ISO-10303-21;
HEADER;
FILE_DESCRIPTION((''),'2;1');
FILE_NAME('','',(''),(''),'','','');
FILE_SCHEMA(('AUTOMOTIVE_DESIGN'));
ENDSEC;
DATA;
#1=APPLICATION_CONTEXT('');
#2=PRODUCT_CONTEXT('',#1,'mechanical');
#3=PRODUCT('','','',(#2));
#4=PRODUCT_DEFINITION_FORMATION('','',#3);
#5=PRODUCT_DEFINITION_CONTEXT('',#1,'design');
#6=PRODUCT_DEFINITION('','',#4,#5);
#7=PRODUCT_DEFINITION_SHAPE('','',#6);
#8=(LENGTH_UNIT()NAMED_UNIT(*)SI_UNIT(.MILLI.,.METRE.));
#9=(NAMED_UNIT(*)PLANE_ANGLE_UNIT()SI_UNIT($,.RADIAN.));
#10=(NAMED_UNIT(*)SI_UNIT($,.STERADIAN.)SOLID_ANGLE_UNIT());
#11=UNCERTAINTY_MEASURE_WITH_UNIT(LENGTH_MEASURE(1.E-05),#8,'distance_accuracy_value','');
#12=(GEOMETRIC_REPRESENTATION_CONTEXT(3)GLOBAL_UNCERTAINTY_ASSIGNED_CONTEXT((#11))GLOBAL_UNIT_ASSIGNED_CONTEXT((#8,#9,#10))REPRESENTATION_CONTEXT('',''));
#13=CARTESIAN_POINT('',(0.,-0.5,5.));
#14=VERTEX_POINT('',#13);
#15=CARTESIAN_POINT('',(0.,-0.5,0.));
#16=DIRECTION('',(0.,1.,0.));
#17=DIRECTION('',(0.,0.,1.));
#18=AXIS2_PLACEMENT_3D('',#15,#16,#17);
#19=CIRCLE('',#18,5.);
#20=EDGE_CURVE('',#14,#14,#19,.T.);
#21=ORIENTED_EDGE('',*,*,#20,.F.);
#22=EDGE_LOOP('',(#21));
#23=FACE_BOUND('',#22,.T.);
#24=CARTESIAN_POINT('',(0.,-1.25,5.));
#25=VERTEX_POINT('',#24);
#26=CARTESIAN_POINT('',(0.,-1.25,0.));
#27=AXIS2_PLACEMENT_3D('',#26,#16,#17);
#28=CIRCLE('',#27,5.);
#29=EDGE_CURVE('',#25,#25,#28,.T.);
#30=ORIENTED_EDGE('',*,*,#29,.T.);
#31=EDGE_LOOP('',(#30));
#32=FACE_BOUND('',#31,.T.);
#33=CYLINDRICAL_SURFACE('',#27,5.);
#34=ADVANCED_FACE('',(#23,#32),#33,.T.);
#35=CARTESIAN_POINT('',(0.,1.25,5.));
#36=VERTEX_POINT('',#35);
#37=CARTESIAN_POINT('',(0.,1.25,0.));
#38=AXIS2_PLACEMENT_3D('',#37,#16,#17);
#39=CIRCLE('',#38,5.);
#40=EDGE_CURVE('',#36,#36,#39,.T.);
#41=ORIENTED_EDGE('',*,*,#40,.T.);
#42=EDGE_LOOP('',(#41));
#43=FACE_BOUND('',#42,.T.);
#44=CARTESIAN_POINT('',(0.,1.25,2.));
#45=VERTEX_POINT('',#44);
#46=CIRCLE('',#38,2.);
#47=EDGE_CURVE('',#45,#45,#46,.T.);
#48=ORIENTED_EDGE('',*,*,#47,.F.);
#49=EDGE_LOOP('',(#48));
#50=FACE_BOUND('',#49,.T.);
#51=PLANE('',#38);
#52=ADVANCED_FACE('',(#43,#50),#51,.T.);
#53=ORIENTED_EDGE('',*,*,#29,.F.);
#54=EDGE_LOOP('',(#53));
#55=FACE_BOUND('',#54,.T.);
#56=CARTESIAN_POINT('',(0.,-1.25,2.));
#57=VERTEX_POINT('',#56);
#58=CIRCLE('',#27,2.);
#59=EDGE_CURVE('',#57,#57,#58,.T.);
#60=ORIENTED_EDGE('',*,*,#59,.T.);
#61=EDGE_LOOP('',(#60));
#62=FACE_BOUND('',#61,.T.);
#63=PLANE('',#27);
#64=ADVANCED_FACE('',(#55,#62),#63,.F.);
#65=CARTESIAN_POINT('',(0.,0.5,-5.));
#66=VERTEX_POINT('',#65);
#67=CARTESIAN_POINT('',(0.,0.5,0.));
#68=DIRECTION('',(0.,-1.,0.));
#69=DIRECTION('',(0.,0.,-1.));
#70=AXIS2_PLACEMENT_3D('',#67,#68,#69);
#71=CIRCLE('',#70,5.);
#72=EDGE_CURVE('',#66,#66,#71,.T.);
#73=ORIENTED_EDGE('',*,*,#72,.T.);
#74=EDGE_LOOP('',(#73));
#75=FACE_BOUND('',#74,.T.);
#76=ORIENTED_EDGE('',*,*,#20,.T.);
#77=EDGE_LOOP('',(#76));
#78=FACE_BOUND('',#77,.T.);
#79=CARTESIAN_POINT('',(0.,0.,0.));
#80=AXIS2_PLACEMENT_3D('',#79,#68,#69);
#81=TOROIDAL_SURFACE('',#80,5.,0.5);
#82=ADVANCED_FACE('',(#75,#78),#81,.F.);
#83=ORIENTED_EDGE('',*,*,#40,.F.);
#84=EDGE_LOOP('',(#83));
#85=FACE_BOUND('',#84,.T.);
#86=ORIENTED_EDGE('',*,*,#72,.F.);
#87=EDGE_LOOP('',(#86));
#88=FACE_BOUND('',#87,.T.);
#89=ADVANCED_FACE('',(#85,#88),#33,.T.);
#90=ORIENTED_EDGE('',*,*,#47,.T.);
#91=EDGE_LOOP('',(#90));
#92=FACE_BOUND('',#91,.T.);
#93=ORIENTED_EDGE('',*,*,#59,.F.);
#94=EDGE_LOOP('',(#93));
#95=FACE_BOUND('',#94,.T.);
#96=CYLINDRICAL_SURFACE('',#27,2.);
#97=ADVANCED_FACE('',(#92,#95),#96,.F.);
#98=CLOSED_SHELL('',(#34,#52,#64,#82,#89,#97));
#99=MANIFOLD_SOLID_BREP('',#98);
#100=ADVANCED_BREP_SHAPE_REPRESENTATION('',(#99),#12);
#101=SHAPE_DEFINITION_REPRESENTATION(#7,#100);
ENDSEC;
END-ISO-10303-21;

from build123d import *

# Parameters (mm, degrees)
BOSS_EXTRU_1_DEPTH      = 1.25
BOSS_EXTRU_1_DEPTH_BACK = 1.25
ESQUISSE1_R             = 5
ESQUISSE1_R_2           = 2
ESQUISSE2_R             = 0.5


with BuildPart() as part:
    # Esquisse1 → Boss.-Extru.1 (new, two sides: drawn at the far end of the back side and taken through both)
    with BuildSketch(Plane(origin=(0, 0, 0), x_dir=(1, 0, 0), z_dir=(0, 1, 0)).offset(-BOSS_EXTRU_1_DEPTH_BACK)):
        Circle(ESQUISSE1_R)
        Circle(ESQUISSE1_R_2, mode=Mode.SUBTRACT)
    extrude(amount=BOSS_EXTRU_1_DEPTH + BOSS_EXTRU_1_DEPTH_BACK)

    # Esquisse2 → Enlèvement de matière-Révolution1 (revolve, cut)
    with BuildSketch(Plane.XY):
        with Locations((5, 0)):
            Circle(ESQUISSE2_R)
    revolve(axis=Axis((0, -3.424000982, 0), (0, 1, 0)), mode=Mode.SUBTRACT)


solid = part.part
